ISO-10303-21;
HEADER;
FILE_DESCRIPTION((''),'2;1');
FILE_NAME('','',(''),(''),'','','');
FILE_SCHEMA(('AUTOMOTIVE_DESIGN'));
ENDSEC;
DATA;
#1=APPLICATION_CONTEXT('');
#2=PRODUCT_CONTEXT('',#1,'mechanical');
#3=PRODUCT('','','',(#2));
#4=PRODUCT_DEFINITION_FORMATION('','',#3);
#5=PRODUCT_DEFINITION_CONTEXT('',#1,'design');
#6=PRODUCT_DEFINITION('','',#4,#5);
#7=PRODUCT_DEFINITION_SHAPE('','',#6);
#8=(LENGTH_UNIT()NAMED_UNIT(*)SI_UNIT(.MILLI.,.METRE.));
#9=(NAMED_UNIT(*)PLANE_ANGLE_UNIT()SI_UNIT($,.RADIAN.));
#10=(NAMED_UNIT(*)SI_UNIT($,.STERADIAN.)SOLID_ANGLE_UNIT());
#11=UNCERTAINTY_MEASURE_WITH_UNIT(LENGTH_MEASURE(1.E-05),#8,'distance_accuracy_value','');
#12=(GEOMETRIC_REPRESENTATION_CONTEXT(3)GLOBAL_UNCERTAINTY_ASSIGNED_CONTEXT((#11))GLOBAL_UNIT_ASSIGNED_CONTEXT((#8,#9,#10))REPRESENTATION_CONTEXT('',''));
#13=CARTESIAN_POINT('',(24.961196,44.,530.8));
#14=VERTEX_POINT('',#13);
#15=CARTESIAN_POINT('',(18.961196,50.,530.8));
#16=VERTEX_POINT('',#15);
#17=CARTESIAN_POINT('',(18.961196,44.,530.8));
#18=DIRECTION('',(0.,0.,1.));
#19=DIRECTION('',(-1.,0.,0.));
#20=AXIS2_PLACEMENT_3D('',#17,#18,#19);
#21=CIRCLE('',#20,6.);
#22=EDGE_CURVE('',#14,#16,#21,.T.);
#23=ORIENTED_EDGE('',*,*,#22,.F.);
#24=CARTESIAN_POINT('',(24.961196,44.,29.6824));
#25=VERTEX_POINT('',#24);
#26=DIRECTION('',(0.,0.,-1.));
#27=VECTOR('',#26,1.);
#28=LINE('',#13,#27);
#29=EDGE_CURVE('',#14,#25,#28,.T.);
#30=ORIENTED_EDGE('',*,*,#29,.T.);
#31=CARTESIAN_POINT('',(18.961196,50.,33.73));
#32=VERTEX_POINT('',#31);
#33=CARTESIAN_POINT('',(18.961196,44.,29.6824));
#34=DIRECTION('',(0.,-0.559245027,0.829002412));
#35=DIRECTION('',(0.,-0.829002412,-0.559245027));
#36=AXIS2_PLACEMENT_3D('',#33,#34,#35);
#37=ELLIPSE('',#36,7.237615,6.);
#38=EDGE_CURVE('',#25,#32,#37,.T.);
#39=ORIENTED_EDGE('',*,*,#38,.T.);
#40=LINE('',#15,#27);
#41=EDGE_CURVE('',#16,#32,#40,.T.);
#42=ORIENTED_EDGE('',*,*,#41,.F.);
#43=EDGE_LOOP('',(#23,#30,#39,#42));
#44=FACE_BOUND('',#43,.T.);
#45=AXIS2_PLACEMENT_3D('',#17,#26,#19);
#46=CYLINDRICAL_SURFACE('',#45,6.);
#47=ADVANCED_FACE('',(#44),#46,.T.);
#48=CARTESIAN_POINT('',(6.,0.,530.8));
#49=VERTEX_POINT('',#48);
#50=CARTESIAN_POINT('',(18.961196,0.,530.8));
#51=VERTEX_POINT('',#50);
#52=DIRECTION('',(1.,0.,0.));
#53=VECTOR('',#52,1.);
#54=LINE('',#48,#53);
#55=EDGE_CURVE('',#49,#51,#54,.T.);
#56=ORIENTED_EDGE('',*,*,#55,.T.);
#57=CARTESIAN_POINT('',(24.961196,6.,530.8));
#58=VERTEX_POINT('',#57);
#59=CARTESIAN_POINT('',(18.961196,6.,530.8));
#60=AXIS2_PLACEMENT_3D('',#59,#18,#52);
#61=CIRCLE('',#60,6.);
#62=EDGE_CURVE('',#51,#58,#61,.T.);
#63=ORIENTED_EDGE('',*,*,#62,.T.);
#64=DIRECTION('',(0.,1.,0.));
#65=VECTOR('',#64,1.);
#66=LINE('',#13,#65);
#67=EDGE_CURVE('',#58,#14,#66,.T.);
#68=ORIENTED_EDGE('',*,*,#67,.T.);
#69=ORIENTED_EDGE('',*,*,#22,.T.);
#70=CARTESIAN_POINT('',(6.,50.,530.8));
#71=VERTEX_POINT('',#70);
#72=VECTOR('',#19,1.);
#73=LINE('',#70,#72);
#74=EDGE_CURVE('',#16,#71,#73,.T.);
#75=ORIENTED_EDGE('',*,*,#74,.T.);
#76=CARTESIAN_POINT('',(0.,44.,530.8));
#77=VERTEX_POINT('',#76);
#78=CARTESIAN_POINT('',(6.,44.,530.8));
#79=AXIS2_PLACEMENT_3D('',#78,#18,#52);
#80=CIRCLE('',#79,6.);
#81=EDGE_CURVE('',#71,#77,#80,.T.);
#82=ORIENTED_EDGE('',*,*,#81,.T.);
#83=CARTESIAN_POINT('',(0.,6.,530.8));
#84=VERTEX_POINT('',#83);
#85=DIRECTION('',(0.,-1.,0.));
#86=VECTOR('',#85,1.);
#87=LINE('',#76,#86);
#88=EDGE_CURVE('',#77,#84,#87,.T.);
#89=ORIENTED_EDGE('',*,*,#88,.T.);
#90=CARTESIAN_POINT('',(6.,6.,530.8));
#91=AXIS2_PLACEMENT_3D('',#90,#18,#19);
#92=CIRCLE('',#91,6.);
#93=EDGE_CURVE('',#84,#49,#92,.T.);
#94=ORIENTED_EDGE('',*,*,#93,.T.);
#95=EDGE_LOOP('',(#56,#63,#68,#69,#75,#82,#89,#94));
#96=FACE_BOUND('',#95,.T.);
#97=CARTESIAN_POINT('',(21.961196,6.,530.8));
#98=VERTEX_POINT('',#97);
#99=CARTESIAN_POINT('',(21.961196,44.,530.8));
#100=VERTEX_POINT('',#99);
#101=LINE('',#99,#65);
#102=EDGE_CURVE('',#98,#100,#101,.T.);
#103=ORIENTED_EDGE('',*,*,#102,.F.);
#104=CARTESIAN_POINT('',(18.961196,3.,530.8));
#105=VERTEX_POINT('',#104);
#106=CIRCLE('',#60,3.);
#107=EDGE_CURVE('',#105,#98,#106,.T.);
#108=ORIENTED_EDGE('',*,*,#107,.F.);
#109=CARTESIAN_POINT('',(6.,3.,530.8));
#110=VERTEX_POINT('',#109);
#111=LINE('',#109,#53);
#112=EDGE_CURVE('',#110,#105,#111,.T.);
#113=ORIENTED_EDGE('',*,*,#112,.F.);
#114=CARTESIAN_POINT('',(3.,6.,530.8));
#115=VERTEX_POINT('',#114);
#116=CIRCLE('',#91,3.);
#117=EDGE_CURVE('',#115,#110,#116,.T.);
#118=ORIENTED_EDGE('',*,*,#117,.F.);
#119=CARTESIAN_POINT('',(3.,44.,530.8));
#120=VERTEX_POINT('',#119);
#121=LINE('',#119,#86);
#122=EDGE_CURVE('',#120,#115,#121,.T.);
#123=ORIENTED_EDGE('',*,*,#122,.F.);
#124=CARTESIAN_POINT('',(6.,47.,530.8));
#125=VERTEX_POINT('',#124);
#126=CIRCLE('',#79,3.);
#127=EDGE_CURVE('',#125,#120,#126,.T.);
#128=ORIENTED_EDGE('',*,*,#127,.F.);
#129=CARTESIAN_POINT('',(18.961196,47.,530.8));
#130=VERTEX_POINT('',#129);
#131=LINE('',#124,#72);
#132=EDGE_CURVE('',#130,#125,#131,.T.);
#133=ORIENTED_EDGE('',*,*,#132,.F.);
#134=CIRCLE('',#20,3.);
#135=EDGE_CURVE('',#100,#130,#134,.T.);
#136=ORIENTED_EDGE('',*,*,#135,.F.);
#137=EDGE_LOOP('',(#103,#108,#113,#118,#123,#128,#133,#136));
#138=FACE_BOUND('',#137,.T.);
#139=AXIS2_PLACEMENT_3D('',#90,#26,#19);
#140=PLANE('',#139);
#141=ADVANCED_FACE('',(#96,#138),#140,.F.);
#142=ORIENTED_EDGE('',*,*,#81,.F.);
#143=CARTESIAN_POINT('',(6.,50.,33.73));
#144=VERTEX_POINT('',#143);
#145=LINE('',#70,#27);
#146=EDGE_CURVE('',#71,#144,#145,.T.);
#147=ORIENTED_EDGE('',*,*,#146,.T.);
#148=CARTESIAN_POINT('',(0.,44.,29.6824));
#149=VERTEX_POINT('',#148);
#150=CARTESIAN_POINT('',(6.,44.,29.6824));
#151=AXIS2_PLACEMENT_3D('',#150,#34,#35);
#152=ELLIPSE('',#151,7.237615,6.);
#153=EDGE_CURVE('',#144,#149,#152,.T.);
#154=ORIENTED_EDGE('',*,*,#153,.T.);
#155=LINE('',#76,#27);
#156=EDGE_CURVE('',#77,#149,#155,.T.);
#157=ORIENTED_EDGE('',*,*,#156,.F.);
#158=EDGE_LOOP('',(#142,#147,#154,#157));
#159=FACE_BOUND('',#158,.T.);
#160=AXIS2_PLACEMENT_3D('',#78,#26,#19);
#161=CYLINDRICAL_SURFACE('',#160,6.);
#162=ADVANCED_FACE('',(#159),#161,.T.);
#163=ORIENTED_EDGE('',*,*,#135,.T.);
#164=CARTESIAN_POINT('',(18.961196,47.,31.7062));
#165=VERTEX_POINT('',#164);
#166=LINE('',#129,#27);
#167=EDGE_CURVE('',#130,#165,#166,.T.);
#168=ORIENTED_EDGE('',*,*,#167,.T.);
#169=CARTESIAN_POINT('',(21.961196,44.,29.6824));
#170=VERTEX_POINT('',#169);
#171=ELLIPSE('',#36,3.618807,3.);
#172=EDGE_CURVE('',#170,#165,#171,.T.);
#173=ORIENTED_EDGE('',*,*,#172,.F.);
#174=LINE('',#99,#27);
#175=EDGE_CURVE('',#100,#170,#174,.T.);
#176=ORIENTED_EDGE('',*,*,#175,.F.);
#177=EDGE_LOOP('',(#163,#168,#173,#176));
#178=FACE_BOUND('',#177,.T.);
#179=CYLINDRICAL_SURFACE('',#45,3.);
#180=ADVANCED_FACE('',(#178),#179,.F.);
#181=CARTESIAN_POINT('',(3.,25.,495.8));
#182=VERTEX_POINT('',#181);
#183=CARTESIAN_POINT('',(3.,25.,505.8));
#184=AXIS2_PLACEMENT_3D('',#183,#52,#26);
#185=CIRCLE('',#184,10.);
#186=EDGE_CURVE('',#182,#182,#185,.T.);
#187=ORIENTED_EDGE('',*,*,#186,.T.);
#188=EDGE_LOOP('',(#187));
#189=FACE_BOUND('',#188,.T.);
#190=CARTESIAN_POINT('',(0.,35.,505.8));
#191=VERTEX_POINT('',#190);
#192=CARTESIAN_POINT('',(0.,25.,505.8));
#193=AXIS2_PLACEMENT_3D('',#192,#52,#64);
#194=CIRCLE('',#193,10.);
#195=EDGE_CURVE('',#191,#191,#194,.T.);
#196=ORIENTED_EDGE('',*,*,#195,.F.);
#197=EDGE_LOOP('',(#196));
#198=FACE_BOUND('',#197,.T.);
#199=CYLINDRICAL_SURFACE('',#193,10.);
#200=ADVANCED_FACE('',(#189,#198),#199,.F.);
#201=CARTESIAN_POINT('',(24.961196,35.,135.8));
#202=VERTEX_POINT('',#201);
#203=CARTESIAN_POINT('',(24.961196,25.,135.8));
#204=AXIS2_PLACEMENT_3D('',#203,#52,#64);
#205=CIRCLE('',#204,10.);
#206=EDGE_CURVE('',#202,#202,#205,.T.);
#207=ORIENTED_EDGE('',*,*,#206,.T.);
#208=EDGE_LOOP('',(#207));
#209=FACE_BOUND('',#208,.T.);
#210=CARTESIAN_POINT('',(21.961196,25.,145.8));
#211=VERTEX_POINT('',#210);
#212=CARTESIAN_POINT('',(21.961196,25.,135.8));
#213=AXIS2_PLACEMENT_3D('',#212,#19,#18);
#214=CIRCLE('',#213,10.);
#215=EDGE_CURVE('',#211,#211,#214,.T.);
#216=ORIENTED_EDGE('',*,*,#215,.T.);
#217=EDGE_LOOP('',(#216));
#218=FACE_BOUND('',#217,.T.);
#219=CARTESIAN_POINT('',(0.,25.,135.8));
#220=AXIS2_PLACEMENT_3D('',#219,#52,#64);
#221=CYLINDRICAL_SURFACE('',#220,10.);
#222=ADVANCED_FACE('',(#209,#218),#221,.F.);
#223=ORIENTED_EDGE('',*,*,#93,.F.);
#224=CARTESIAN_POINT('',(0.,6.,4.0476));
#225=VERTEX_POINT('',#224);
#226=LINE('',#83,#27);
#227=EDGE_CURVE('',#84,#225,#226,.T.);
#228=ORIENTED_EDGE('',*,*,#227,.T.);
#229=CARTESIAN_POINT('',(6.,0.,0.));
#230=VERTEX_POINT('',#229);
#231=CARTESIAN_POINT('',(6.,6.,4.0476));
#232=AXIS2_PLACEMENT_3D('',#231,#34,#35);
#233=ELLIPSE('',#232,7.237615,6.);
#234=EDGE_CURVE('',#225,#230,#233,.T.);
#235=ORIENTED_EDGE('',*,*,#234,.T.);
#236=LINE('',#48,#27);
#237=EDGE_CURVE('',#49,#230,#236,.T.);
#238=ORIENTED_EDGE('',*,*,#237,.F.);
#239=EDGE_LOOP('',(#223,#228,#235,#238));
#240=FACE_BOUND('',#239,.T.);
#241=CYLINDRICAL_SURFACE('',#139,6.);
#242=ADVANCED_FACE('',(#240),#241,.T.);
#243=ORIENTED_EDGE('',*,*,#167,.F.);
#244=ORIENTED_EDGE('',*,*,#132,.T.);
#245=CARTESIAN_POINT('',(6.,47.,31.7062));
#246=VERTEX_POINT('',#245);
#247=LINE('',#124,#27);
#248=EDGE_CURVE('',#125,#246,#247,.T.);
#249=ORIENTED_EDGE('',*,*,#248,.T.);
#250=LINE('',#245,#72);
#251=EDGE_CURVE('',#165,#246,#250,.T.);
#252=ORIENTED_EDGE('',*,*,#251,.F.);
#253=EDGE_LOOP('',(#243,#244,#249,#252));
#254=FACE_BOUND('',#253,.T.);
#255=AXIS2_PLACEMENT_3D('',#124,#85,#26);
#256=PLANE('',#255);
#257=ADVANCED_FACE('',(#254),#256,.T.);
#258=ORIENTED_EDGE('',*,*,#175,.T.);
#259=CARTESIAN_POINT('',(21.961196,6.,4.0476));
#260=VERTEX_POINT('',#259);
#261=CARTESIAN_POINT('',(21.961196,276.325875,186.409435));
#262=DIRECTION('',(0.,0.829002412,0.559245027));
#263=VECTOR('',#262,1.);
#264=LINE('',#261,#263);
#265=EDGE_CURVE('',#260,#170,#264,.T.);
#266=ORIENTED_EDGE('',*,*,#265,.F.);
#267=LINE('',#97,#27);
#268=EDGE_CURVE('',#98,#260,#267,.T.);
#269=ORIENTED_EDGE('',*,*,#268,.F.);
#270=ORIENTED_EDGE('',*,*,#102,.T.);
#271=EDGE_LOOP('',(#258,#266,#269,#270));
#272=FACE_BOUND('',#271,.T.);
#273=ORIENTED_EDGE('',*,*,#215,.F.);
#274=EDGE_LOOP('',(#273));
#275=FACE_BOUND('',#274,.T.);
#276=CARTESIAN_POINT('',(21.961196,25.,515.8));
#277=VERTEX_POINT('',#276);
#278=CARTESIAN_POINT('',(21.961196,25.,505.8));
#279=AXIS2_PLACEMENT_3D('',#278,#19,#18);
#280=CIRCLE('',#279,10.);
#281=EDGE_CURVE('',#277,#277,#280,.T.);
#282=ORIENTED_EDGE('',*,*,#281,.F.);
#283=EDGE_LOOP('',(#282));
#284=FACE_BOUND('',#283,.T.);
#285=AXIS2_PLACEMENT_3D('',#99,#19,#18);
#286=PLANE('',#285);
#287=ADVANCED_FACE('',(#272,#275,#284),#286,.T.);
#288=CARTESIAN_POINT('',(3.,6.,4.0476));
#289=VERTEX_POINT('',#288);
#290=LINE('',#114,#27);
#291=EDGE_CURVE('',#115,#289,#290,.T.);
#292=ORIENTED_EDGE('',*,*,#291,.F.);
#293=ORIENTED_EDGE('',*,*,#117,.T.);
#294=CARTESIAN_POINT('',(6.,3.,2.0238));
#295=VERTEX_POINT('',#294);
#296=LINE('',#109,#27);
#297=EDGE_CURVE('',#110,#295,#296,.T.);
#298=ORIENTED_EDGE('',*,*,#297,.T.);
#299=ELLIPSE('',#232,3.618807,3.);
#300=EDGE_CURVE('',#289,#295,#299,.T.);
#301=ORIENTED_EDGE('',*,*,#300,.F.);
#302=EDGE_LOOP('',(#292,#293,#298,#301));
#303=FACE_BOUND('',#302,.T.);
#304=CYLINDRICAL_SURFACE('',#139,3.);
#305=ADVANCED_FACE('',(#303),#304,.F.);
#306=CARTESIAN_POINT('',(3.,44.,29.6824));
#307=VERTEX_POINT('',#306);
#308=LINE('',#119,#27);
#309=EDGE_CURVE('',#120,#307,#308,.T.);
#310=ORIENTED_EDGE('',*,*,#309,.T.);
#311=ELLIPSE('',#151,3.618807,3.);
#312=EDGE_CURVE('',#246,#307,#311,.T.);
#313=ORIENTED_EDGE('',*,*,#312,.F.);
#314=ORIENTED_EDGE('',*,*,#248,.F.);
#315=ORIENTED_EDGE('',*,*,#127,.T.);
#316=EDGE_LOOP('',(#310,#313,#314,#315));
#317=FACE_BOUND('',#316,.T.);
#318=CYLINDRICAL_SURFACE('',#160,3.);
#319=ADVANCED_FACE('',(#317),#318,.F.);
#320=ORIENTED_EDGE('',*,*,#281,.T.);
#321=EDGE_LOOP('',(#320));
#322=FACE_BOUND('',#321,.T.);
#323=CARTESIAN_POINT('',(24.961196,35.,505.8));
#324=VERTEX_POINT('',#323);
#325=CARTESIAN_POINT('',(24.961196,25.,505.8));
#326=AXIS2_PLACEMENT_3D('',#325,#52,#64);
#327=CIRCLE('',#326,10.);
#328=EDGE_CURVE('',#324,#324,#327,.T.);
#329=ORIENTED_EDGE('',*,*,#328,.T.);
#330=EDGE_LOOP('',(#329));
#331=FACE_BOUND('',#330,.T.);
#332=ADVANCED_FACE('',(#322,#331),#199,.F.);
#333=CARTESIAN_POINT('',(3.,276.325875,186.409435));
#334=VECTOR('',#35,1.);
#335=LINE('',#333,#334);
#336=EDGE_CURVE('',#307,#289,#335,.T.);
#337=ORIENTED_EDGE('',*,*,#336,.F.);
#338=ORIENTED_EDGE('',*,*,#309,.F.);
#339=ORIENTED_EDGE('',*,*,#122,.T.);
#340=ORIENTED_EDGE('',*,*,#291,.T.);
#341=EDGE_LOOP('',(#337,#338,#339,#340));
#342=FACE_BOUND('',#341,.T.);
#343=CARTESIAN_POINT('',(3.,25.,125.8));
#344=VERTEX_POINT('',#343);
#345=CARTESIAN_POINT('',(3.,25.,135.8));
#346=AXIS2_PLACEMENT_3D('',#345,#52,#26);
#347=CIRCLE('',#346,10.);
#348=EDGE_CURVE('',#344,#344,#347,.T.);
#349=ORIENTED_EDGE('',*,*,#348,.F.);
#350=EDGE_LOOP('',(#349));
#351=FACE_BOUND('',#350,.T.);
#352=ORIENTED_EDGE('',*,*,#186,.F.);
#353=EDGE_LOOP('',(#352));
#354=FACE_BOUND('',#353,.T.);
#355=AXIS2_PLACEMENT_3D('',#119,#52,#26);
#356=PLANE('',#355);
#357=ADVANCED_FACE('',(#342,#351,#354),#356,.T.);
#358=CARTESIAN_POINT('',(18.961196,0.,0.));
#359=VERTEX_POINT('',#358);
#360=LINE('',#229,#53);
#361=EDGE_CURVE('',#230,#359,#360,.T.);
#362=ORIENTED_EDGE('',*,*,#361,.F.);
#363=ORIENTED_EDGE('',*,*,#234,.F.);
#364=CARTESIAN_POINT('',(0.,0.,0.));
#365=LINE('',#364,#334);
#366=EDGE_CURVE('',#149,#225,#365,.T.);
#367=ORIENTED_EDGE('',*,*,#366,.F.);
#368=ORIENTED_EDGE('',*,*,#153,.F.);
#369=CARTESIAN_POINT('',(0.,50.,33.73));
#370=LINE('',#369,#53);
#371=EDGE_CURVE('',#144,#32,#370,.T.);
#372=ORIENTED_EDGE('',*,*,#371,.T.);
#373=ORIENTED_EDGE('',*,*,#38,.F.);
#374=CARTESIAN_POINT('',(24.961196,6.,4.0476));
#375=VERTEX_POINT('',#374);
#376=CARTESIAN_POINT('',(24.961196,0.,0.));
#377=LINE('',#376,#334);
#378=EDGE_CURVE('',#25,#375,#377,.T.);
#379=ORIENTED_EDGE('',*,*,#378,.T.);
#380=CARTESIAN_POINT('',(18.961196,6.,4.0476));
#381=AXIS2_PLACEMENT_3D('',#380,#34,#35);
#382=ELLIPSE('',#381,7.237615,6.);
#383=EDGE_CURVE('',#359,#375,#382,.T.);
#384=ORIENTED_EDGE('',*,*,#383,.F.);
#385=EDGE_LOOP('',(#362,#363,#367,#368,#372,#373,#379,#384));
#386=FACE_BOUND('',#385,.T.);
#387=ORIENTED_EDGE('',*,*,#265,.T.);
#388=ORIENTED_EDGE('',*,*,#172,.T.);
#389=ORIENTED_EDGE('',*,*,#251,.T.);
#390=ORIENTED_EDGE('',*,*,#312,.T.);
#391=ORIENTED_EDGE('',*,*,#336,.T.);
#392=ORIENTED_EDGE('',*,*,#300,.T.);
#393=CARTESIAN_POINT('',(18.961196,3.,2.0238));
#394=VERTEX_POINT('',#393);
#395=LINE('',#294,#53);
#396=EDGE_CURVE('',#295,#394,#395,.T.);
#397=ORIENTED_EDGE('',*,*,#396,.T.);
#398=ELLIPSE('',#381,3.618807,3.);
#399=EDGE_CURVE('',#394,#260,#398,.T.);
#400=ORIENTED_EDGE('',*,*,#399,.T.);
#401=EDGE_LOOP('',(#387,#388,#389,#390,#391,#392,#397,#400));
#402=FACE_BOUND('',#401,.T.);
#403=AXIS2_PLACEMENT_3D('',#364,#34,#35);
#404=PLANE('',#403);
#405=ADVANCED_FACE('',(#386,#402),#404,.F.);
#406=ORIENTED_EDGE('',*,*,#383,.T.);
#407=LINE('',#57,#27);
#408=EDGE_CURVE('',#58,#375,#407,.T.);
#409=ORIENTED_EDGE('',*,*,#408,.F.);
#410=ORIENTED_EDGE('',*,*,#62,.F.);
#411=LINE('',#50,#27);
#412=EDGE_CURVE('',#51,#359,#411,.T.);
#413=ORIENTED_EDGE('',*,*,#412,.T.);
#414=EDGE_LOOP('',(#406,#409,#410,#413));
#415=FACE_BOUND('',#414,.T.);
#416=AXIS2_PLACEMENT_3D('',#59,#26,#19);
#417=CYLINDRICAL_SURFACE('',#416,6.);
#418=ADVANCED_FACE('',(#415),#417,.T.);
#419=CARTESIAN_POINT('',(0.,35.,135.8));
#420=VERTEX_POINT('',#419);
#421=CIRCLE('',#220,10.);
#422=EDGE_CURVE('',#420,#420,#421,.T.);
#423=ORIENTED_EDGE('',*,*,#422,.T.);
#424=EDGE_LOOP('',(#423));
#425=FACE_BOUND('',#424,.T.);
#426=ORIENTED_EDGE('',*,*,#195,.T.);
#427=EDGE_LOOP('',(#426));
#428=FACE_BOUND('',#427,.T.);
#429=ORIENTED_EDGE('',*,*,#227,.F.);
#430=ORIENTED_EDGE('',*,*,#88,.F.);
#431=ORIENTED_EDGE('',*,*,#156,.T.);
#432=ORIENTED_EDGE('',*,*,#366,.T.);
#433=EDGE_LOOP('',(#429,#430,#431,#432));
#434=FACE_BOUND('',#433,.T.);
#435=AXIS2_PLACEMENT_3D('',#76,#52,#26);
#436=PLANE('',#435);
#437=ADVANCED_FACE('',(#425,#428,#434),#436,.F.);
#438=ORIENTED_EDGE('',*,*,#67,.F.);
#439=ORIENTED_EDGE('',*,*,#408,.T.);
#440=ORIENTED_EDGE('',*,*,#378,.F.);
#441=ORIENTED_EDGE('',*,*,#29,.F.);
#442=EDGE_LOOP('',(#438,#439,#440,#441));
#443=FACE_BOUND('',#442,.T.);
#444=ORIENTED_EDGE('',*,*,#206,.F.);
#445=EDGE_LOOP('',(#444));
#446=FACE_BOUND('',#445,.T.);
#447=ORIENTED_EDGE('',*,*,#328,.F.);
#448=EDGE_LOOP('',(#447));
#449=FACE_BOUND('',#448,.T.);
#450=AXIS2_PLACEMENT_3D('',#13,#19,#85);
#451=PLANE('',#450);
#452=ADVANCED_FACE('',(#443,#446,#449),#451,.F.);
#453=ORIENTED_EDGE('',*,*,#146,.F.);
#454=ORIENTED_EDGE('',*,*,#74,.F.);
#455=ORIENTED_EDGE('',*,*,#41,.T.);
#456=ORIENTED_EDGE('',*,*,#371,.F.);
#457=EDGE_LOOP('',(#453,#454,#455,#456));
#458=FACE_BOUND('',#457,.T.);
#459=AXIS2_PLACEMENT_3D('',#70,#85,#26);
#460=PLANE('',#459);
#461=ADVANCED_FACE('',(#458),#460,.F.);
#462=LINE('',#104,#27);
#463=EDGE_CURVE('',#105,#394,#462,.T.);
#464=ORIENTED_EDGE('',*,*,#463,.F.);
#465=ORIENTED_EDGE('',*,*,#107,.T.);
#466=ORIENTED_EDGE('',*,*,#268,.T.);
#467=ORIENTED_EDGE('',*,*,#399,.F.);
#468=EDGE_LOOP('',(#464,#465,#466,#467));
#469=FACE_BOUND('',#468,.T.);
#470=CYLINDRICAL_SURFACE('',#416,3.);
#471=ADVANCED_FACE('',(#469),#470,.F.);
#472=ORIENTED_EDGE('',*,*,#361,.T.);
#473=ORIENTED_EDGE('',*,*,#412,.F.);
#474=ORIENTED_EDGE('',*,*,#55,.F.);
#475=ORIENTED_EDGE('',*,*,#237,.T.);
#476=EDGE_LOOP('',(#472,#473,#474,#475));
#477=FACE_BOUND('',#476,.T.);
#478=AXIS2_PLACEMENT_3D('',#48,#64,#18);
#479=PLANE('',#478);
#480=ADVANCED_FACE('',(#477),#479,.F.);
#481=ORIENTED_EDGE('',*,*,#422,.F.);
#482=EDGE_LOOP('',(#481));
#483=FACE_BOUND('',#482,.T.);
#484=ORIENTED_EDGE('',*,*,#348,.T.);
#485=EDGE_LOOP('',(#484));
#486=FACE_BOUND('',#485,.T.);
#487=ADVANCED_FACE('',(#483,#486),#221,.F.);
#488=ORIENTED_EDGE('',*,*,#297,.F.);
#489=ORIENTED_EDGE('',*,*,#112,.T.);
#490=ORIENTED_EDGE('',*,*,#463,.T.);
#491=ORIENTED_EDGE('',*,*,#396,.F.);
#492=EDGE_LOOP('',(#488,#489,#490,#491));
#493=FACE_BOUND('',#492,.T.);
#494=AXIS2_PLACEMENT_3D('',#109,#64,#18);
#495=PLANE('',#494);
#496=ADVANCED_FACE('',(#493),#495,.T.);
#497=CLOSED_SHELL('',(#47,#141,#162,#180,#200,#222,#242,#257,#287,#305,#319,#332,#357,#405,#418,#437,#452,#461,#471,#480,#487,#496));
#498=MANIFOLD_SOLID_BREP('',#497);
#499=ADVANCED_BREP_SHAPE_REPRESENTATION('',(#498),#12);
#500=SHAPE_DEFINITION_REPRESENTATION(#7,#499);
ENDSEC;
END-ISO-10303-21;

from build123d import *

# Parameters (mm, degrees)
BOSS_EXTRUDE1_DEPTH = 530.8
SKETCH2_R           = 10
CUT_EXTRUDE1_DEPTH  = 534.733736359
CUT_EXTRUDE2_DEPTH  = 534.733736359


with BuildPart() as part:
    # Sketch1 → Boss-Extrude1 (new body)
    with BuildSketch(Plane.XY):
        with BuildLine():
            Line((0, 44), (0, 6))
            ThreePointArc((0, 6), (1.757359313, 1.757359313), (6, 0))
            Line((6, 0), (18.96119643, 0))
            ThreePointArc((18.96119643, 0), (23.203837117, 1.757359313), (24.96119643, 6))
            Line((24.96119643, 6), (24.96119643, 44))
            ThreePointArc((24.96119643, 44), (23.203837117, 48.242640687), (18.96119643, 50))
            Line((18.96119643, 50), (6, 50))
            ThreePointArc((6, 50), (1.757359313, 48.242640687), (0, 44))
        make_face()
        with BuildLine():
            Line((3, 44), (3, 6))
            ThreePointArc((3, 6), (3.878679656, 3.878679656), (6, 3))
            Line((6, 3), (18.96119643, 3))
            ThreePointArc((18.96119643, 3), (21.082516774, 3.878679656), (21.96119643, 6))
            Line((21.96119643, 6), (21.96119643, 44))
            ThreePointArc((21.96119643, 44), (21.082516774, 46.121320344), (18.96119643, 47))
            Line((18.96119643, 47), (6, 47))
            ThreePointArc((6, 47), (3.878679656, 46.121320344), (3, 44))
        make_face(mode=Mode.SUBTRACT)
    extrude(amount=BOSS_EXTRUDE1_DEPTH)

    # Sketch2 → Cut-Extrude1 (cut, through all)
    with BuildSketch(Plane(origin=(24.96119643, 0, 0), x_dir=(0, 0, -1), z_dir=(1, 0, 0))):
        with Locations((-505.8, 25)):
            Circle(SKETCH2_R)
        Polygon((0, 0), (0, 50), (-33.73, 50), align=None)
    extrude(amount=-CUT_EXTRUDE1_DEPTH, mode=Mode.SUBTRACT)

    # Sketch2<6> → Cut-Extrude2 (cut, through all)
    with BuildSketch(Plane(origin=(24.96119643, 0, 0), x_dir=(0, 0, -1), z_dir=(1, 0, 0))):
        with BuildLine():
            ThreePointArc((-125.8, 25), (-135.8, 35), (-145.8, 25))
            ThreePointArc((-145.8, 25), (-135.8, 15), (-125.8, 25))
        make_face()
    extrude(amount=-CUT_EXTRUDE2_DEPTH, mode=Mode.SUBTRACT)


solid = part.part
